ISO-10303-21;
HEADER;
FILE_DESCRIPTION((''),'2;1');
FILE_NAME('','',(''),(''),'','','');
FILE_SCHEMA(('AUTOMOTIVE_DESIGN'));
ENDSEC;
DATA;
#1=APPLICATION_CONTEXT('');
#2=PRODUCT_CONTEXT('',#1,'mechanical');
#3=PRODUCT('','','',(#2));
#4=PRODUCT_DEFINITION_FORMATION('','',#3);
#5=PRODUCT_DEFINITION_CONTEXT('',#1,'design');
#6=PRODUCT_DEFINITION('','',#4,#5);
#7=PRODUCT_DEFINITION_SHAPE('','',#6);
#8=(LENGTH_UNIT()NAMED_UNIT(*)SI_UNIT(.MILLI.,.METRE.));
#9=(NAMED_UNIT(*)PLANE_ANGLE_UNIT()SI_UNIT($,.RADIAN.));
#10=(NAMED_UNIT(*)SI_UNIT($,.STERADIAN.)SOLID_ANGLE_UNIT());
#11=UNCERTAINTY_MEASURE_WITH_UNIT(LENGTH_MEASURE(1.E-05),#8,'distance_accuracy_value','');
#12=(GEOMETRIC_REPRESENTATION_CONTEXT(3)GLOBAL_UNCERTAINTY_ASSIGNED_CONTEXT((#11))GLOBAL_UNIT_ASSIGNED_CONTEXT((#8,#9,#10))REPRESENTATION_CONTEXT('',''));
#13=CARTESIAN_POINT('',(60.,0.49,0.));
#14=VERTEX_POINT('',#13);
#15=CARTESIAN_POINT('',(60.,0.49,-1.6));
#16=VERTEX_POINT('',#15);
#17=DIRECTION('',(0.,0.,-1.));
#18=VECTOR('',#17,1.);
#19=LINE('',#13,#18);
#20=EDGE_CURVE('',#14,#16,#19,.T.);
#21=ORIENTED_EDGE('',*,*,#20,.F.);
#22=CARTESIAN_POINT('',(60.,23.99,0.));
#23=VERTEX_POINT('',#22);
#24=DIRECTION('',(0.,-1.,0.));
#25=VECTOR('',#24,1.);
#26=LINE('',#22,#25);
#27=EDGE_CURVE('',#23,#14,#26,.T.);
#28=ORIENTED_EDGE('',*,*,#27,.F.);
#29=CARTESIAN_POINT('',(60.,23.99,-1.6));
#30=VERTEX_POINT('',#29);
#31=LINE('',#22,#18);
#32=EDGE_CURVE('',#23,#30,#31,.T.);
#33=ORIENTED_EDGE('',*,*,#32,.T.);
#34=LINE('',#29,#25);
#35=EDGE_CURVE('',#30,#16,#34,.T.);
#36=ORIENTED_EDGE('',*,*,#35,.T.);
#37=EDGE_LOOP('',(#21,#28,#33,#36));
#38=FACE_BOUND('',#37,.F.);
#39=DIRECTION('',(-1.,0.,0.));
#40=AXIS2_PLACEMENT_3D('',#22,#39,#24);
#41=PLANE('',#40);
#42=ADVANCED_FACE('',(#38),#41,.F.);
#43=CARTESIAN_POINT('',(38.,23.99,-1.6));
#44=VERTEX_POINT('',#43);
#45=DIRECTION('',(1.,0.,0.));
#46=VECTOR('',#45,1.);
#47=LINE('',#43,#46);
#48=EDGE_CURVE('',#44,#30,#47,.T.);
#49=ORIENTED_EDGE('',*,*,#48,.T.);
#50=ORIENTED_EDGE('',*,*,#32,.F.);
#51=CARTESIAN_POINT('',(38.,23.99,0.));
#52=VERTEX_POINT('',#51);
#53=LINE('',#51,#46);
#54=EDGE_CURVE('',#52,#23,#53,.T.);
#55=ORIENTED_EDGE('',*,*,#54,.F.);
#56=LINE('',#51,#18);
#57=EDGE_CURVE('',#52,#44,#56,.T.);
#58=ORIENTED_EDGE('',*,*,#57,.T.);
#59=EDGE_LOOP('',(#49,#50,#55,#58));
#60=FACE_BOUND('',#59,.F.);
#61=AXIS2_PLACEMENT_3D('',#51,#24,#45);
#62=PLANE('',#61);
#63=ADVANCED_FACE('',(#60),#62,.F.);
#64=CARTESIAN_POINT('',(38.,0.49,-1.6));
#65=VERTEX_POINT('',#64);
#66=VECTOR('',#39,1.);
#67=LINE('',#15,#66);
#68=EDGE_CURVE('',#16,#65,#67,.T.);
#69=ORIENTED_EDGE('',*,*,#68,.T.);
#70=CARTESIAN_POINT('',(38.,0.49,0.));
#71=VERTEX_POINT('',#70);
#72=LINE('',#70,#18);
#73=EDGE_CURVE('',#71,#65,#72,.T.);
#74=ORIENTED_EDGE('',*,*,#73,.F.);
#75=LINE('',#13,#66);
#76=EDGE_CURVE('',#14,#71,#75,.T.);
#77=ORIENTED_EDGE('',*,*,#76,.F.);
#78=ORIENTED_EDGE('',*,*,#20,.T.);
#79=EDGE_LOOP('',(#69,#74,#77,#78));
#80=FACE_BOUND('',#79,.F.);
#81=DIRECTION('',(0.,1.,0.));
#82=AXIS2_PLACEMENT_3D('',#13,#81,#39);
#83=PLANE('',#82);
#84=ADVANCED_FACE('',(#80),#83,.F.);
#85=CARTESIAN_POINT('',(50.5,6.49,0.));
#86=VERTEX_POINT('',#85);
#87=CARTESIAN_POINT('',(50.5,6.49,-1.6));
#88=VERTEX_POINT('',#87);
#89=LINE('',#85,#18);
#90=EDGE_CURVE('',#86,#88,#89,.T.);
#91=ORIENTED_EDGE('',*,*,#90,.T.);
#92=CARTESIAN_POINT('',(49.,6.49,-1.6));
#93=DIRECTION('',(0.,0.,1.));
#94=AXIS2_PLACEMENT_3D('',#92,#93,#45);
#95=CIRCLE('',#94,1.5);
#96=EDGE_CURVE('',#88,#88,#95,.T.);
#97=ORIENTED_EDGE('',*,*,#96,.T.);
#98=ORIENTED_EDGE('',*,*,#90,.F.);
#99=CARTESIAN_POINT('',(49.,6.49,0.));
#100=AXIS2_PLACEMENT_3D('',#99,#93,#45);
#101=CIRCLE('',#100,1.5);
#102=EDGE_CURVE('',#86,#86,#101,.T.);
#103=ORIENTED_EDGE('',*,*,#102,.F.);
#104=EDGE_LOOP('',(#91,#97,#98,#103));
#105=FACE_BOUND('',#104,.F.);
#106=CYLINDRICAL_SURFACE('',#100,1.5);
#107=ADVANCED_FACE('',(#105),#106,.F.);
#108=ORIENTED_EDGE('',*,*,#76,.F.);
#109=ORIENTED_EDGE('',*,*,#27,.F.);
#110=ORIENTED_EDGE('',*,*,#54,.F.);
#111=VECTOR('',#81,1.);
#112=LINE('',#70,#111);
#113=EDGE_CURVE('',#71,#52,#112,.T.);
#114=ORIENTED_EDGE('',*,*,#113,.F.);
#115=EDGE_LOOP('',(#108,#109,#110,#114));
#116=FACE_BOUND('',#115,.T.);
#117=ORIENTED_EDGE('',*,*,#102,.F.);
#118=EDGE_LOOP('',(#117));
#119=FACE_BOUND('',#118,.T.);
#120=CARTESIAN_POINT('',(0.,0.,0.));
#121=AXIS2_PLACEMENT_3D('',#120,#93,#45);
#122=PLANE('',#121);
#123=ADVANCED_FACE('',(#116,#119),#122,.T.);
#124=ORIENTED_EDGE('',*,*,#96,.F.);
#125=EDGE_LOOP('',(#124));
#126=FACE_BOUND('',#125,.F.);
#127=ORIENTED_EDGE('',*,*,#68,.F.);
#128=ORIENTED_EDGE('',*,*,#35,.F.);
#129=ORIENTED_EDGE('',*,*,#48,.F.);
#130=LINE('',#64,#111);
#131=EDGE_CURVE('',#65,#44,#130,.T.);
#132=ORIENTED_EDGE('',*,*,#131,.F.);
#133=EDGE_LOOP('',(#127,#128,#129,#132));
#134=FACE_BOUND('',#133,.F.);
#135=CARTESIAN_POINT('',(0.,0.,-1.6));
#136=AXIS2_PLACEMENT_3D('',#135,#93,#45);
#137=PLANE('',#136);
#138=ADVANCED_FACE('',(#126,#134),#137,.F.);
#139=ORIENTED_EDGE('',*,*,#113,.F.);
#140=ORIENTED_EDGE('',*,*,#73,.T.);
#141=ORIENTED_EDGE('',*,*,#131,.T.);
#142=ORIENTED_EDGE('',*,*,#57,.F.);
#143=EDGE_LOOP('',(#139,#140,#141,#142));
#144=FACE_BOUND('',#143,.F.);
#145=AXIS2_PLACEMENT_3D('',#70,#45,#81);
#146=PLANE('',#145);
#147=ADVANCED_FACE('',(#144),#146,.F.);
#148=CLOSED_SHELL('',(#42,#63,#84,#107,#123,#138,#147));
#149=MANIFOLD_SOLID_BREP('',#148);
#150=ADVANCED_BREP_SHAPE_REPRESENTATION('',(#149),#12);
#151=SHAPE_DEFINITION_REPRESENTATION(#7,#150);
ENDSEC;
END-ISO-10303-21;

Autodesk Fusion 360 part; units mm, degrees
sketch "Skizze1" plane through (0, 0, 0) normal (0, 0, 1) x (1, 0, 0)
  line L0 (38, 23.99) -> (60, 23.99)
  line L1 (60, 23.99) -> (60, 0.49)
  line L2 (60, 0.49) -> (38, 0.49)
  line L3 (38, 0.49) -> (38, 23.99)
  circle A0 centre (49, 6.49) radius 1.5
  line L4 (49, 23.99) -> (49, 0.49) construction
  line L5 (38, 10.29) -> (60, 10.29) construction
  point P0 (39.46, 10.29)
  point P1 (58.54, 10.29)
  point P2 (49, 20.99)
  dimension "d1" = 38
  dimension "d2" = 60
  dimension "d3" = 0.49
  dimension "d4" = 23.99
  dimension "d5" = 3
  dimension "d7" = 6.49
  dimension "d8" = 10.29
  dimension "d9" = 39.46
  dimension "d10" = 58.54
  dimension "d11" = 20.99
extrude "Extrusion1" add sketch "Skizze1" against normal blind 1.6
